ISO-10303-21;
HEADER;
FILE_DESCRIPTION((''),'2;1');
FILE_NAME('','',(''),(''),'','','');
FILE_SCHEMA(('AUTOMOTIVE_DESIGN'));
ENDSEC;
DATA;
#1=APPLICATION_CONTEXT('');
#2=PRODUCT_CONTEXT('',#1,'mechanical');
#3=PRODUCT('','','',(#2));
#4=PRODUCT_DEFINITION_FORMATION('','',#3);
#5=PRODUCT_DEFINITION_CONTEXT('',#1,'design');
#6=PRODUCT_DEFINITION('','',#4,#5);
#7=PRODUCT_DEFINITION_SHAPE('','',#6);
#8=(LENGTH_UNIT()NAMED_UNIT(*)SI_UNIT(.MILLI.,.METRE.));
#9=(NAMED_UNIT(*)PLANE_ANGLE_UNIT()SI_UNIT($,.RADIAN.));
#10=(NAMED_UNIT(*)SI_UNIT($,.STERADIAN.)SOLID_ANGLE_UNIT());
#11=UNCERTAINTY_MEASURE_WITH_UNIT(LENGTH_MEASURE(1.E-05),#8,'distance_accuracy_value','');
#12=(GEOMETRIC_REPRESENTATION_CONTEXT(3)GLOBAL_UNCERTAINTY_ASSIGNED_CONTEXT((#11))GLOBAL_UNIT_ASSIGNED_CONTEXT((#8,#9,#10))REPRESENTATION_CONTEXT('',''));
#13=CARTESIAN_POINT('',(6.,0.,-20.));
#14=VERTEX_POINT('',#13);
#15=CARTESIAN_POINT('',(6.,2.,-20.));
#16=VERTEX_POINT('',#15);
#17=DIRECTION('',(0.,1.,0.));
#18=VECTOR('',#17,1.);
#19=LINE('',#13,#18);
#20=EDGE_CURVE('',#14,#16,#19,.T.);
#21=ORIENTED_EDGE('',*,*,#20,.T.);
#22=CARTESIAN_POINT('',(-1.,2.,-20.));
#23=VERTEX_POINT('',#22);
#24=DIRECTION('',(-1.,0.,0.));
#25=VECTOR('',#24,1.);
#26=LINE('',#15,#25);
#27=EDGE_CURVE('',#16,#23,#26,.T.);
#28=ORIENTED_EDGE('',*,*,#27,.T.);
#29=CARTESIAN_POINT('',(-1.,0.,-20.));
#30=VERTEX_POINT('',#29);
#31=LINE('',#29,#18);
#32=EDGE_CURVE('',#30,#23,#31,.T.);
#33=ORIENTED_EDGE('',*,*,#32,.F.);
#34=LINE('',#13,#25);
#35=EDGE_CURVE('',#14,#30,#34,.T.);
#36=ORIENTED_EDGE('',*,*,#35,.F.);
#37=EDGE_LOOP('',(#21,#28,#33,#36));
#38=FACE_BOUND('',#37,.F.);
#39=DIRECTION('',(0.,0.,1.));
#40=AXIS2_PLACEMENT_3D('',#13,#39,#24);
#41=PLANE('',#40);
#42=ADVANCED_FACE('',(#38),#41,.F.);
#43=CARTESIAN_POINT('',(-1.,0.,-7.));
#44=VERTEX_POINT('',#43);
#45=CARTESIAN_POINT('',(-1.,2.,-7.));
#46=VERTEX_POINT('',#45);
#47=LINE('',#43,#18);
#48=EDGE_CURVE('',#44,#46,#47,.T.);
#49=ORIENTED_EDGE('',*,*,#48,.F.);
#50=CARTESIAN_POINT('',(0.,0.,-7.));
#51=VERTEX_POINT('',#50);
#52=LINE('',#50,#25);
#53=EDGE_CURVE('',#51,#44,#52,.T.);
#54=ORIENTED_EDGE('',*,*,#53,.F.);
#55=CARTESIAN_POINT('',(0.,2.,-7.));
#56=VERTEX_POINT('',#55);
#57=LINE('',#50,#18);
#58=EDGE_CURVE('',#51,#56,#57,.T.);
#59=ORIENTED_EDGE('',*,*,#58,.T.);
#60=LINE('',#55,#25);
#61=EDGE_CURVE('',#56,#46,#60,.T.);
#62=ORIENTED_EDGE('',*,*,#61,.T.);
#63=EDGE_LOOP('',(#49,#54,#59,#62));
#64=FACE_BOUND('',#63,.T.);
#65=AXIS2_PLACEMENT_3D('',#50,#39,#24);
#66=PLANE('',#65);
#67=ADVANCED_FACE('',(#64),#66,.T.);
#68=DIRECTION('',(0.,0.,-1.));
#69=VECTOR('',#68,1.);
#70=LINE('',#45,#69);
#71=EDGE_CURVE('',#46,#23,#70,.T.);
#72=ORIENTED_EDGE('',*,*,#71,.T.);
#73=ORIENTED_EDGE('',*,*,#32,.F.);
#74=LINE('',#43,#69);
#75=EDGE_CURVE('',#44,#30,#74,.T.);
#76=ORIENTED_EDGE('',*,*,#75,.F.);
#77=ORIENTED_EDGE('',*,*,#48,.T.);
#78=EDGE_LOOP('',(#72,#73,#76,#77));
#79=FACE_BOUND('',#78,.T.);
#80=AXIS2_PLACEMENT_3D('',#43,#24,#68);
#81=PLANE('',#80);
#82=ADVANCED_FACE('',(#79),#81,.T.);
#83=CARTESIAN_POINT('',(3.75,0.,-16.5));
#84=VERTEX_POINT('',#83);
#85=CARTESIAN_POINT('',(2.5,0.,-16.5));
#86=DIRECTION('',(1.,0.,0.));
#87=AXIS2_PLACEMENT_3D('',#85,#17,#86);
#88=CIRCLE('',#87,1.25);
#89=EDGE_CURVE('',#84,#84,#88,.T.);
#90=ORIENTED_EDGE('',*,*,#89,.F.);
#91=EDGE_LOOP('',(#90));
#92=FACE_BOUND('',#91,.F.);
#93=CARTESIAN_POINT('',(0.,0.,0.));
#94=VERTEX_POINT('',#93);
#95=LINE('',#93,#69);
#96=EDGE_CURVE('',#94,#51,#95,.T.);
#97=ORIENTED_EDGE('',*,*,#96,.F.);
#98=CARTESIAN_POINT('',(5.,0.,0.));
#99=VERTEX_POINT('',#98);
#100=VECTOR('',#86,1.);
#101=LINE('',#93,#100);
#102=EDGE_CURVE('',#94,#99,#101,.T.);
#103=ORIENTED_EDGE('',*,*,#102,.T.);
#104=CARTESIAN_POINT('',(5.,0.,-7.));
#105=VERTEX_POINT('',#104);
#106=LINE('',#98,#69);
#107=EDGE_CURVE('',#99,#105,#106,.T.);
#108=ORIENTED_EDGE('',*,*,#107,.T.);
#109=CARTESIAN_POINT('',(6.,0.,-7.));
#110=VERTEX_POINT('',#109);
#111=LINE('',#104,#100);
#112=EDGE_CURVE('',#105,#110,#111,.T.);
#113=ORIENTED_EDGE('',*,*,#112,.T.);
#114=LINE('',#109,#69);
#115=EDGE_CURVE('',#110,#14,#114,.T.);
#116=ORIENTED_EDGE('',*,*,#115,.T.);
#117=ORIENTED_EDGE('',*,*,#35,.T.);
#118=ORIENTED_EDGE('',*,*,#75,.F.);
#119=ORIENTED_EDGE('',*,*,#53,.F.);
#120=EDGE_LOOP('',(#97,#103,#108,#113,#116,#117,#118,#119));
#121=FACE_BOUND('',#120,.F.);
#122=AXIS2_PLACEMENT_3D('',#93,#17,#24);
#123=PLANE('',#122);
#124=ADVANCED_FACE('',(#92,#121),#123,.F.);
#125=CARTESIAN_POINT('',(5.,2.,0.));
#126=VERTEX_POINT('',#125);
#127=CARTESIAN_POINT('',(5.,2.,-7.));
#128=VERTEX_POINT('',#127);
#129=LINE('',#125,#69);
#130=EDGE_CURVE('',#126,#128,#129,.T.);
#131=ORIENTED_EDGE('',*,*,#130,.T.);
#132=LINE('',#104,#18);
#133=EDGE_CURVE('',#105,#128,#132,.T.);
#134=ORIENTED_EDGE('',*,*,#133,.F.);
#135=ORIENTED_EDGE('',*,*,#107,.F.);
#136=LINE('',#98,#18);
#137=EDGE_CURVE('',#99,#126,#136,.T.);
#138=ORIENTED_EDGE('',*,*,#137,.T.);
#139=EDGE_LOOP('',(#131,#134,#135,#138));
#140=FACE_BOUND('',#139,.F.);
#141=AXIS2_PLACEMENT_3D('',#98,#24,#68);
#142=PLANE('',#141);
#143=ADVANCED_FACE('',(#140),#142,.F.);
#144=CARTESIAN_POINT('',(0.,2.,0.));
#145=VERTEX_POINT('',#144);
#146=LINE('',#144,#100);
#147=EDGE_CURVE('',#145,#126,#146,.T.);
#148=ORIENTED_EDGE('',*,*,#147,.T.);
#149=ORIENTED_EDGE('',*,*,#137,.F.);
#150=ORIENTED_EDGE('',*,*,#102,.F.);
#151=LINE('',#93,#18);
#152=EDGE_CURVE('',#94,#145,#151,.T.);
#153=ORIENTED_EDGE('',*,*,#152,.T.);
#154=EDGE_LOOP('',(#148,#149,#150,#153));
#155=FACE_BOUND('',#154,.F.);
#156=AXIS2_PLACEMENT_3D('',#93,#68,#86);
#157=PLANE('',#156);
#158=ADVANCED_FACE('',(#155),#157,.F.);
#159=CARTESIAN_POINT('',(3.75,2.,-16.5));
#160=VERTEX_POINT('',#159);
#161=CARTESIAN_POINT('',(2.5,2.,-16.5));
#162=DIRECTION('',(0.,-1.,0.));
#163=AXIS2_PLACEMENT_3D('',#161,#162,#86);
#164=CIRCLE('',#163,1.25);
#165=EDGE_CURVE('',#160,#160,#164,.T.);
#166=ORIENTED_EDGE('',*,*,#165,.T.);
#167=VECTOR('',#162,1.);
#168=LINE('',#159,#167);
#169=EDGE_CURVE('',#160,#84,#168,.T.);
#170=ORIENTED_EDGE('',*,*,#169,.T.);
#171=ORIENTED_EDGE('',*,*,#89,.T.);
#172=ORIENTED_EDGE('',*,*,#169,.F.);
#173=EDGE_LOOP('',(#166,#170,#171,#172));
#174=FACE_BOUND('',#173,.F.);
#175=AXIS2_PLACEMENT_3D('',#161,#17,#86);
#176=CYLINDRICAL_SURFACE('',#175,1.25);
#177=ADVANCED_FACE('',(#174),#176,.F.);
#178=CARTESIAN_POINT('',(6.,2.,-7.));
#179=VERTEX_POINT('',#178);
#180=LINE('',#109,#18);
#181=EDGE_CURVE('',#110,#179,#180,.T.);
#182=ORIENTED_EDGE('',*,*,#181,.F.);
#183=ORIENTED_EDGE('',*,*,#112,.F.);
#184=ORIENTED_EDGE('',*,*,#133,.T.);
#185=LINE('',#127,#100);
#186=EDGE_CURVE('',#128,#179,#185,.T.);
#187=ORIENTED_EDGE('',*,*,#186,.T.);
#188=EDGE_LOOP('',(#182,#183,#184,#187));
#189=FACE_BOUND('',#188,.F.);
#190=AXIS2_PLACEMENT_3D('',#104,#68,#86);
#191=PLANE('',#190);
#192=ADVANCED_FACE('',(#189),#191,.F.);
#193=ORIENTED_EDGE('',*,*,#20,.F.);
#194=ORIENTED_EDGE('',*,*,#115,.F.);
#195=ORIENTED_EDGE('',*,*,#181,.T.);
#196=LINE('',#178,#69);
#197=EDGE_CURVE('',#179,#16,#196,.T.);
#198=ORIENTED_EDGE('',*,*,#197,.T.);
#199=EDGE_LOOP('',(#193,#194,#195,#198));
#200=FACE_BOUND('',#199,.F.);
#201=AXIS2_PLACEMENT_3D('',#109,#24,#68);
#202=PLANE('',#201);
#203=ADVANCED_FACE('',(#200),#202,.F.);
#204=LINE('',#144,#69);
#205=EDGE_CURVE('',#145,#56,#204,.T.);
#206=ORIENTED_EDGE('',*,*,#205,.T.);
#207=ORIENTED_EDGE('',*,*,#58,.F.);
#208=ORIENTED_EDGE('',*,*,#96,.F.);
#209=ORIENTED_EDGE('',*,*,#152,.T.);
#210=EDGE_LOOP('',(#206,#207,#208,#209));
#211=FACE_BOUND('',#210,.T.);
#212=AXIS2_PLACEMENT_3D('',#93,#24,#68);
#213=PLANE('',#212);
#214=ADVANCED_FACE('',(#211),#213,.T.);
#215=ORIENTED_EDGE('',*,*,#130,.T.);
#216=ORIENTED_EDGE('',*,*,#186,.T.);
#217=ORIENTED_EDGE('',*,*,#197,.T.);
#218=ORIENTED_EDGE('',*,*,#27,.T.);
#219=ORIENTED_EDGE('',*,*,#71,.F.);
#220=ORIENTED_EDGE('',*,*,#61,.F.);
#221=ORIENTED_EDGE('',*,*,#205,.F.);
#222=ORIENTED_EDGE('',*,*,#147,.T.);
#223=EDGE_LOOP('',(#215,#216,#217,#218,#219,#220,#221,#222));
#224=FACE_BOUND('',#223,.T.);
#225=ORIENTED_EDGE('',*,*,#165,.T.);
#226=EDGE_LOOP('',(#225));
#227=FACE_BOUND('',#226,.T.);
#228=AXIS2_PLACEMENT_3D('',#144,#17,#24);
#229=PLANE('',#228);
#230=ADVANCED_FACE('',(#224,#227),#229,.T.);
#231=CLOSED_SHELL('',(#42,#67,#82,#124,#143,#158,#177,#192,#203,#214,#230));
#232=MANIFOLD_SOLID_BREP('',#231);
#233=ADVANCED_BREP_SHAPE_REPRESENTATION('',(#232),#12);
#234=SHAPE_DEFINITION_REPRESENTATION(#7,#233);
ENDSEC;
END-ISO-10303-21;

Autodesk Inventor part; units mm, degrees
ref_plane "YZ Plane" through (0, 0, 0) normal (1, 0, 0) x (0, 1, 0)
ref_plane "XZ Plane" through (0, 0, 0) normal (0, 1, 0) x (-1, 0, 0)
ref_plane "XY Plane" through (0, 0, 0) normal (0, 0, 1) x (1, 0, 0)
sketch "Sketch3" plane through (0, 0, 0) normal (0, 1, 0) x (-1, 0, 0)
  line L0 (0, 0) -> (-5, 0)
  line L1 (-5, 0) -> (-5, -7)
  line L2 (0, 0) -> (0, -7)
  line L3 (0, -7) -> (1, -7)
  line L4 (1, -7) -> (1, -20)
  line L5 (-5, -7) -> (-6, -7)
  line L6 (-6, -7) -> (-6, -20)
  line L7 (-6, -20) -> (1, -20)
  dimension "d9" = 5
  dimension "d10" = 7
  dimension "d11" = 1
  dimension "d12" = 13
  dimension "d13" = 1
extrude "Extrusion3" add sketch "Sketch3" along normal blind 2
sketch "Sketch4" plane through (0, 2, 0) normal (0, 1, 0) x (1, 0, 0)
  line L0 (-1, 20) -> (-1, 7) projected
  line L1 (-1, 20) -> (2.5, 20)
  line L2 (6, 20) -> (-1, 20) projected
  line L3 (2.5, 20) -> (2.5, 16.5)
  circle A0 centre (2.5, 16.5) radius 1.25
  point P0 (0, 0)
  dimension "d16" = 3.5
  dimension "d17" = 3.5
  dimension "d18" = 2.5
extrude "Extrusion4" cut sketch "Sketch4" against normal blind 2
properties part number "HINGE B"
